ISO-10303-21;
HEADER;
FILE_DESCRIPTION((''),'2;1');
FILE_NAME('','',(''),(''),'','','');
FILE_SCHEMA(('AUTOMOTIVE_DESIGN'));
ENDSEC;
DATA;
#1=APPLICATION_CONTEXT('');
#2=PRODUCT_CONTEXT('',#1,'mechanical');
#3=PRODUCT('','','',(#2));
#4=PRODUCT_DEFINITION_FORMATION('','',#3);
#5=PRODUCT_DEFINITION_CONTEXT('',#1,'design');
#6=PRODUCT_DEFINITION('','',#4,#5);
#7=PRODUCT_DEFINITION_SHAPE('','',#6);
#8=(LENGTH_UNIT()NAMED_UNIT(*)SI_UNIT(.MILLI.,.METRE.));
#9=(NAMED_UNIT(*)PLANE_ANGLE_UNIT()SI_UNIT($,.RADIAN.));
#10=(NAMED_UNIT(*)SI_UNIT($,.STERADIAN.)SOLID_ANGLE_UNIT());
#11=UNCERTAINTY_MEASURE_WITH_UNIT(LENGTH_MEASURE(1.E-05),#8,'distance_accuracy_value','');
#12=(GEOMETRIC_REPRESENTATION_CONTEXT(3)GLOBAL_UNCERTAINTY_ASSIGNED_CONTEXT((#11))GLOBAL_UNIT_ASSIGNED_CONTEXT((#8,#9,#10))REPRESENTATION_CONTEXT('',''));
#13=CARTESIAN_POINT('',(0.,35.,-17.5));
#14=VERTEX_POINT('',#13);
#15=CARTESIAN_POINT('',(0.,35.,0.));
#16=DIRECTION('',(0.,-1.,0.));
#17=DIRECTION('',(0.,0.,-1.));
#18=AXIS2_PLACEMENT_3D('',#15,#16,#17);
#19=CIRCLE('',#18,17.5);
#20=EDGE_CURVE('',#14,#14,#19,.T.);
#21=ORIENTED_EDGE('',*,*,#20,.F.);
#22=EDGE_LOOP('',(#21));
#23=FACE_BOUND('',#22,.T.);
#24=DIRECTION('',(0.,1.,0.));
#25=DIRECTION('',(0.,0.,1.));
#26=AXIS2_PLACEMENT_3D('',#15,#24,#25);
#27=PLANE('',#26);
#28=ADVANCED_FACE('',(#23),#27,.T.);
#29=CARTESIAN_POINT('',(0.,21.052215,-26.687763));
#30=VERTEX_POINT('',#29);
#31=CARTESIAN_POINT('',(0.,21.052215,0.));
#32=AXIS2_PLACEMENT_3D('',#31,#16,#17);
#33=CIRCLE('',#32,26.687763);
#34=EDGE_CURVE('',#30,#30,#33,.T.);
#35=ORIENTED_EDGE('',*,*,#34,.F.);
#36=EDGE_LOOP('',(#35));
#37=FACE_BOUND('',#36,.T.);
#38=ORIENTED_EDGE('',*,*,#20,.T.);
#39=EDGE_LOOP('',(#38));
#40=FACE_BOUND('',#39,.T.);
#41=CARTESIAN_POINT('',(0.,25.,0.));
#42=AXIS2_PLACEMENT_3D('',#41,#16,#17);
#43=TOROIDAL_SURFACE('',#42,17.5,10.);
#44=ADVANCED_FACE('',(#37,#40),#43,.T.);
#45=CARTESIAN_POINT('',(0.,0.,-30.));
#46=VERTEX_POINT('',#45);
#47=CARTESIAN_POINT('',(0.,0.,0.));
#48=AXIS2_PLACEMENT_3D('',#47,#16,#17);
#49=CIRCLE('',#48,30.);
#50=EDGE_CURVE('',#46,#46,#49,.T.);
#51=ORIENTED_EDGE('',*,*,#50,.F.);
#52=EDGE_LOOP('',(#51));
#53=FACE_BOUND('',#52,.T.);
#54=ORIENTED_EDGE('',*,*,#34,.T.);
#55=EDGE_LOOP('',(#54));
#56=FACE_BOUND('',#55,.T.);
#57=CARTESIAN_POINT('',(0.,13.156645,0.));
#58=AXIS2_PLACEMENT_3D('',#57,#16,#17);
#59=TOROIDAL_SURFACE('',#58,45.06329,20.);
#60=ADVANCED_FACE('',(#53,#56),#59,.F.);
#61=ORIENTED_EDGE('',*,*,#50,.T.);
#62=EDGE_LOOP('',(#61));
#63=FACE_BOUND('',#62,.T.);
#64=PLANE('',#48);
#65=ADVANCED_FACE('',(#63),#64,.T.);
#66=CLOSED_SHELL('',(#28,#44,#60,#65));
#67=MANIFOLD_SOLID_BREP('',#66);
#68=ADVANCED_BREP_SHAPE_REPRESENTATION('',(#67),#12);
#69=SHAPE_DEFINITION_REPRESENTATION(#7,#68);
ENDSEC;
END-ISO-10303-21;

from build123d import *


with BuildPart() as part:
    # Sketch1 → Revolve1 (revolve)
    with BuildSketch(Plane(origin=(0, 0, 0), x_dir=(0, 0, -1), z_dir=(1, 0, 0))):
        with BuildLine():
            Line((0, 0), (0, 35))
            Line((0, 35), (17.5, 35))
            ThreePointArc((17.5, 35), (25.85098349, 30.501006703), (26.687763231, 21.052214949))
            ThreePointArc((26.687763231, 21.052214949), (25.306327755, 10.048195881), (30, 0))
            Line((30, 0), (0, 0))
        make_face()
    revolve(axis=Axis((0, 0, 0), (0, 1, 0)))


solid = part.part
